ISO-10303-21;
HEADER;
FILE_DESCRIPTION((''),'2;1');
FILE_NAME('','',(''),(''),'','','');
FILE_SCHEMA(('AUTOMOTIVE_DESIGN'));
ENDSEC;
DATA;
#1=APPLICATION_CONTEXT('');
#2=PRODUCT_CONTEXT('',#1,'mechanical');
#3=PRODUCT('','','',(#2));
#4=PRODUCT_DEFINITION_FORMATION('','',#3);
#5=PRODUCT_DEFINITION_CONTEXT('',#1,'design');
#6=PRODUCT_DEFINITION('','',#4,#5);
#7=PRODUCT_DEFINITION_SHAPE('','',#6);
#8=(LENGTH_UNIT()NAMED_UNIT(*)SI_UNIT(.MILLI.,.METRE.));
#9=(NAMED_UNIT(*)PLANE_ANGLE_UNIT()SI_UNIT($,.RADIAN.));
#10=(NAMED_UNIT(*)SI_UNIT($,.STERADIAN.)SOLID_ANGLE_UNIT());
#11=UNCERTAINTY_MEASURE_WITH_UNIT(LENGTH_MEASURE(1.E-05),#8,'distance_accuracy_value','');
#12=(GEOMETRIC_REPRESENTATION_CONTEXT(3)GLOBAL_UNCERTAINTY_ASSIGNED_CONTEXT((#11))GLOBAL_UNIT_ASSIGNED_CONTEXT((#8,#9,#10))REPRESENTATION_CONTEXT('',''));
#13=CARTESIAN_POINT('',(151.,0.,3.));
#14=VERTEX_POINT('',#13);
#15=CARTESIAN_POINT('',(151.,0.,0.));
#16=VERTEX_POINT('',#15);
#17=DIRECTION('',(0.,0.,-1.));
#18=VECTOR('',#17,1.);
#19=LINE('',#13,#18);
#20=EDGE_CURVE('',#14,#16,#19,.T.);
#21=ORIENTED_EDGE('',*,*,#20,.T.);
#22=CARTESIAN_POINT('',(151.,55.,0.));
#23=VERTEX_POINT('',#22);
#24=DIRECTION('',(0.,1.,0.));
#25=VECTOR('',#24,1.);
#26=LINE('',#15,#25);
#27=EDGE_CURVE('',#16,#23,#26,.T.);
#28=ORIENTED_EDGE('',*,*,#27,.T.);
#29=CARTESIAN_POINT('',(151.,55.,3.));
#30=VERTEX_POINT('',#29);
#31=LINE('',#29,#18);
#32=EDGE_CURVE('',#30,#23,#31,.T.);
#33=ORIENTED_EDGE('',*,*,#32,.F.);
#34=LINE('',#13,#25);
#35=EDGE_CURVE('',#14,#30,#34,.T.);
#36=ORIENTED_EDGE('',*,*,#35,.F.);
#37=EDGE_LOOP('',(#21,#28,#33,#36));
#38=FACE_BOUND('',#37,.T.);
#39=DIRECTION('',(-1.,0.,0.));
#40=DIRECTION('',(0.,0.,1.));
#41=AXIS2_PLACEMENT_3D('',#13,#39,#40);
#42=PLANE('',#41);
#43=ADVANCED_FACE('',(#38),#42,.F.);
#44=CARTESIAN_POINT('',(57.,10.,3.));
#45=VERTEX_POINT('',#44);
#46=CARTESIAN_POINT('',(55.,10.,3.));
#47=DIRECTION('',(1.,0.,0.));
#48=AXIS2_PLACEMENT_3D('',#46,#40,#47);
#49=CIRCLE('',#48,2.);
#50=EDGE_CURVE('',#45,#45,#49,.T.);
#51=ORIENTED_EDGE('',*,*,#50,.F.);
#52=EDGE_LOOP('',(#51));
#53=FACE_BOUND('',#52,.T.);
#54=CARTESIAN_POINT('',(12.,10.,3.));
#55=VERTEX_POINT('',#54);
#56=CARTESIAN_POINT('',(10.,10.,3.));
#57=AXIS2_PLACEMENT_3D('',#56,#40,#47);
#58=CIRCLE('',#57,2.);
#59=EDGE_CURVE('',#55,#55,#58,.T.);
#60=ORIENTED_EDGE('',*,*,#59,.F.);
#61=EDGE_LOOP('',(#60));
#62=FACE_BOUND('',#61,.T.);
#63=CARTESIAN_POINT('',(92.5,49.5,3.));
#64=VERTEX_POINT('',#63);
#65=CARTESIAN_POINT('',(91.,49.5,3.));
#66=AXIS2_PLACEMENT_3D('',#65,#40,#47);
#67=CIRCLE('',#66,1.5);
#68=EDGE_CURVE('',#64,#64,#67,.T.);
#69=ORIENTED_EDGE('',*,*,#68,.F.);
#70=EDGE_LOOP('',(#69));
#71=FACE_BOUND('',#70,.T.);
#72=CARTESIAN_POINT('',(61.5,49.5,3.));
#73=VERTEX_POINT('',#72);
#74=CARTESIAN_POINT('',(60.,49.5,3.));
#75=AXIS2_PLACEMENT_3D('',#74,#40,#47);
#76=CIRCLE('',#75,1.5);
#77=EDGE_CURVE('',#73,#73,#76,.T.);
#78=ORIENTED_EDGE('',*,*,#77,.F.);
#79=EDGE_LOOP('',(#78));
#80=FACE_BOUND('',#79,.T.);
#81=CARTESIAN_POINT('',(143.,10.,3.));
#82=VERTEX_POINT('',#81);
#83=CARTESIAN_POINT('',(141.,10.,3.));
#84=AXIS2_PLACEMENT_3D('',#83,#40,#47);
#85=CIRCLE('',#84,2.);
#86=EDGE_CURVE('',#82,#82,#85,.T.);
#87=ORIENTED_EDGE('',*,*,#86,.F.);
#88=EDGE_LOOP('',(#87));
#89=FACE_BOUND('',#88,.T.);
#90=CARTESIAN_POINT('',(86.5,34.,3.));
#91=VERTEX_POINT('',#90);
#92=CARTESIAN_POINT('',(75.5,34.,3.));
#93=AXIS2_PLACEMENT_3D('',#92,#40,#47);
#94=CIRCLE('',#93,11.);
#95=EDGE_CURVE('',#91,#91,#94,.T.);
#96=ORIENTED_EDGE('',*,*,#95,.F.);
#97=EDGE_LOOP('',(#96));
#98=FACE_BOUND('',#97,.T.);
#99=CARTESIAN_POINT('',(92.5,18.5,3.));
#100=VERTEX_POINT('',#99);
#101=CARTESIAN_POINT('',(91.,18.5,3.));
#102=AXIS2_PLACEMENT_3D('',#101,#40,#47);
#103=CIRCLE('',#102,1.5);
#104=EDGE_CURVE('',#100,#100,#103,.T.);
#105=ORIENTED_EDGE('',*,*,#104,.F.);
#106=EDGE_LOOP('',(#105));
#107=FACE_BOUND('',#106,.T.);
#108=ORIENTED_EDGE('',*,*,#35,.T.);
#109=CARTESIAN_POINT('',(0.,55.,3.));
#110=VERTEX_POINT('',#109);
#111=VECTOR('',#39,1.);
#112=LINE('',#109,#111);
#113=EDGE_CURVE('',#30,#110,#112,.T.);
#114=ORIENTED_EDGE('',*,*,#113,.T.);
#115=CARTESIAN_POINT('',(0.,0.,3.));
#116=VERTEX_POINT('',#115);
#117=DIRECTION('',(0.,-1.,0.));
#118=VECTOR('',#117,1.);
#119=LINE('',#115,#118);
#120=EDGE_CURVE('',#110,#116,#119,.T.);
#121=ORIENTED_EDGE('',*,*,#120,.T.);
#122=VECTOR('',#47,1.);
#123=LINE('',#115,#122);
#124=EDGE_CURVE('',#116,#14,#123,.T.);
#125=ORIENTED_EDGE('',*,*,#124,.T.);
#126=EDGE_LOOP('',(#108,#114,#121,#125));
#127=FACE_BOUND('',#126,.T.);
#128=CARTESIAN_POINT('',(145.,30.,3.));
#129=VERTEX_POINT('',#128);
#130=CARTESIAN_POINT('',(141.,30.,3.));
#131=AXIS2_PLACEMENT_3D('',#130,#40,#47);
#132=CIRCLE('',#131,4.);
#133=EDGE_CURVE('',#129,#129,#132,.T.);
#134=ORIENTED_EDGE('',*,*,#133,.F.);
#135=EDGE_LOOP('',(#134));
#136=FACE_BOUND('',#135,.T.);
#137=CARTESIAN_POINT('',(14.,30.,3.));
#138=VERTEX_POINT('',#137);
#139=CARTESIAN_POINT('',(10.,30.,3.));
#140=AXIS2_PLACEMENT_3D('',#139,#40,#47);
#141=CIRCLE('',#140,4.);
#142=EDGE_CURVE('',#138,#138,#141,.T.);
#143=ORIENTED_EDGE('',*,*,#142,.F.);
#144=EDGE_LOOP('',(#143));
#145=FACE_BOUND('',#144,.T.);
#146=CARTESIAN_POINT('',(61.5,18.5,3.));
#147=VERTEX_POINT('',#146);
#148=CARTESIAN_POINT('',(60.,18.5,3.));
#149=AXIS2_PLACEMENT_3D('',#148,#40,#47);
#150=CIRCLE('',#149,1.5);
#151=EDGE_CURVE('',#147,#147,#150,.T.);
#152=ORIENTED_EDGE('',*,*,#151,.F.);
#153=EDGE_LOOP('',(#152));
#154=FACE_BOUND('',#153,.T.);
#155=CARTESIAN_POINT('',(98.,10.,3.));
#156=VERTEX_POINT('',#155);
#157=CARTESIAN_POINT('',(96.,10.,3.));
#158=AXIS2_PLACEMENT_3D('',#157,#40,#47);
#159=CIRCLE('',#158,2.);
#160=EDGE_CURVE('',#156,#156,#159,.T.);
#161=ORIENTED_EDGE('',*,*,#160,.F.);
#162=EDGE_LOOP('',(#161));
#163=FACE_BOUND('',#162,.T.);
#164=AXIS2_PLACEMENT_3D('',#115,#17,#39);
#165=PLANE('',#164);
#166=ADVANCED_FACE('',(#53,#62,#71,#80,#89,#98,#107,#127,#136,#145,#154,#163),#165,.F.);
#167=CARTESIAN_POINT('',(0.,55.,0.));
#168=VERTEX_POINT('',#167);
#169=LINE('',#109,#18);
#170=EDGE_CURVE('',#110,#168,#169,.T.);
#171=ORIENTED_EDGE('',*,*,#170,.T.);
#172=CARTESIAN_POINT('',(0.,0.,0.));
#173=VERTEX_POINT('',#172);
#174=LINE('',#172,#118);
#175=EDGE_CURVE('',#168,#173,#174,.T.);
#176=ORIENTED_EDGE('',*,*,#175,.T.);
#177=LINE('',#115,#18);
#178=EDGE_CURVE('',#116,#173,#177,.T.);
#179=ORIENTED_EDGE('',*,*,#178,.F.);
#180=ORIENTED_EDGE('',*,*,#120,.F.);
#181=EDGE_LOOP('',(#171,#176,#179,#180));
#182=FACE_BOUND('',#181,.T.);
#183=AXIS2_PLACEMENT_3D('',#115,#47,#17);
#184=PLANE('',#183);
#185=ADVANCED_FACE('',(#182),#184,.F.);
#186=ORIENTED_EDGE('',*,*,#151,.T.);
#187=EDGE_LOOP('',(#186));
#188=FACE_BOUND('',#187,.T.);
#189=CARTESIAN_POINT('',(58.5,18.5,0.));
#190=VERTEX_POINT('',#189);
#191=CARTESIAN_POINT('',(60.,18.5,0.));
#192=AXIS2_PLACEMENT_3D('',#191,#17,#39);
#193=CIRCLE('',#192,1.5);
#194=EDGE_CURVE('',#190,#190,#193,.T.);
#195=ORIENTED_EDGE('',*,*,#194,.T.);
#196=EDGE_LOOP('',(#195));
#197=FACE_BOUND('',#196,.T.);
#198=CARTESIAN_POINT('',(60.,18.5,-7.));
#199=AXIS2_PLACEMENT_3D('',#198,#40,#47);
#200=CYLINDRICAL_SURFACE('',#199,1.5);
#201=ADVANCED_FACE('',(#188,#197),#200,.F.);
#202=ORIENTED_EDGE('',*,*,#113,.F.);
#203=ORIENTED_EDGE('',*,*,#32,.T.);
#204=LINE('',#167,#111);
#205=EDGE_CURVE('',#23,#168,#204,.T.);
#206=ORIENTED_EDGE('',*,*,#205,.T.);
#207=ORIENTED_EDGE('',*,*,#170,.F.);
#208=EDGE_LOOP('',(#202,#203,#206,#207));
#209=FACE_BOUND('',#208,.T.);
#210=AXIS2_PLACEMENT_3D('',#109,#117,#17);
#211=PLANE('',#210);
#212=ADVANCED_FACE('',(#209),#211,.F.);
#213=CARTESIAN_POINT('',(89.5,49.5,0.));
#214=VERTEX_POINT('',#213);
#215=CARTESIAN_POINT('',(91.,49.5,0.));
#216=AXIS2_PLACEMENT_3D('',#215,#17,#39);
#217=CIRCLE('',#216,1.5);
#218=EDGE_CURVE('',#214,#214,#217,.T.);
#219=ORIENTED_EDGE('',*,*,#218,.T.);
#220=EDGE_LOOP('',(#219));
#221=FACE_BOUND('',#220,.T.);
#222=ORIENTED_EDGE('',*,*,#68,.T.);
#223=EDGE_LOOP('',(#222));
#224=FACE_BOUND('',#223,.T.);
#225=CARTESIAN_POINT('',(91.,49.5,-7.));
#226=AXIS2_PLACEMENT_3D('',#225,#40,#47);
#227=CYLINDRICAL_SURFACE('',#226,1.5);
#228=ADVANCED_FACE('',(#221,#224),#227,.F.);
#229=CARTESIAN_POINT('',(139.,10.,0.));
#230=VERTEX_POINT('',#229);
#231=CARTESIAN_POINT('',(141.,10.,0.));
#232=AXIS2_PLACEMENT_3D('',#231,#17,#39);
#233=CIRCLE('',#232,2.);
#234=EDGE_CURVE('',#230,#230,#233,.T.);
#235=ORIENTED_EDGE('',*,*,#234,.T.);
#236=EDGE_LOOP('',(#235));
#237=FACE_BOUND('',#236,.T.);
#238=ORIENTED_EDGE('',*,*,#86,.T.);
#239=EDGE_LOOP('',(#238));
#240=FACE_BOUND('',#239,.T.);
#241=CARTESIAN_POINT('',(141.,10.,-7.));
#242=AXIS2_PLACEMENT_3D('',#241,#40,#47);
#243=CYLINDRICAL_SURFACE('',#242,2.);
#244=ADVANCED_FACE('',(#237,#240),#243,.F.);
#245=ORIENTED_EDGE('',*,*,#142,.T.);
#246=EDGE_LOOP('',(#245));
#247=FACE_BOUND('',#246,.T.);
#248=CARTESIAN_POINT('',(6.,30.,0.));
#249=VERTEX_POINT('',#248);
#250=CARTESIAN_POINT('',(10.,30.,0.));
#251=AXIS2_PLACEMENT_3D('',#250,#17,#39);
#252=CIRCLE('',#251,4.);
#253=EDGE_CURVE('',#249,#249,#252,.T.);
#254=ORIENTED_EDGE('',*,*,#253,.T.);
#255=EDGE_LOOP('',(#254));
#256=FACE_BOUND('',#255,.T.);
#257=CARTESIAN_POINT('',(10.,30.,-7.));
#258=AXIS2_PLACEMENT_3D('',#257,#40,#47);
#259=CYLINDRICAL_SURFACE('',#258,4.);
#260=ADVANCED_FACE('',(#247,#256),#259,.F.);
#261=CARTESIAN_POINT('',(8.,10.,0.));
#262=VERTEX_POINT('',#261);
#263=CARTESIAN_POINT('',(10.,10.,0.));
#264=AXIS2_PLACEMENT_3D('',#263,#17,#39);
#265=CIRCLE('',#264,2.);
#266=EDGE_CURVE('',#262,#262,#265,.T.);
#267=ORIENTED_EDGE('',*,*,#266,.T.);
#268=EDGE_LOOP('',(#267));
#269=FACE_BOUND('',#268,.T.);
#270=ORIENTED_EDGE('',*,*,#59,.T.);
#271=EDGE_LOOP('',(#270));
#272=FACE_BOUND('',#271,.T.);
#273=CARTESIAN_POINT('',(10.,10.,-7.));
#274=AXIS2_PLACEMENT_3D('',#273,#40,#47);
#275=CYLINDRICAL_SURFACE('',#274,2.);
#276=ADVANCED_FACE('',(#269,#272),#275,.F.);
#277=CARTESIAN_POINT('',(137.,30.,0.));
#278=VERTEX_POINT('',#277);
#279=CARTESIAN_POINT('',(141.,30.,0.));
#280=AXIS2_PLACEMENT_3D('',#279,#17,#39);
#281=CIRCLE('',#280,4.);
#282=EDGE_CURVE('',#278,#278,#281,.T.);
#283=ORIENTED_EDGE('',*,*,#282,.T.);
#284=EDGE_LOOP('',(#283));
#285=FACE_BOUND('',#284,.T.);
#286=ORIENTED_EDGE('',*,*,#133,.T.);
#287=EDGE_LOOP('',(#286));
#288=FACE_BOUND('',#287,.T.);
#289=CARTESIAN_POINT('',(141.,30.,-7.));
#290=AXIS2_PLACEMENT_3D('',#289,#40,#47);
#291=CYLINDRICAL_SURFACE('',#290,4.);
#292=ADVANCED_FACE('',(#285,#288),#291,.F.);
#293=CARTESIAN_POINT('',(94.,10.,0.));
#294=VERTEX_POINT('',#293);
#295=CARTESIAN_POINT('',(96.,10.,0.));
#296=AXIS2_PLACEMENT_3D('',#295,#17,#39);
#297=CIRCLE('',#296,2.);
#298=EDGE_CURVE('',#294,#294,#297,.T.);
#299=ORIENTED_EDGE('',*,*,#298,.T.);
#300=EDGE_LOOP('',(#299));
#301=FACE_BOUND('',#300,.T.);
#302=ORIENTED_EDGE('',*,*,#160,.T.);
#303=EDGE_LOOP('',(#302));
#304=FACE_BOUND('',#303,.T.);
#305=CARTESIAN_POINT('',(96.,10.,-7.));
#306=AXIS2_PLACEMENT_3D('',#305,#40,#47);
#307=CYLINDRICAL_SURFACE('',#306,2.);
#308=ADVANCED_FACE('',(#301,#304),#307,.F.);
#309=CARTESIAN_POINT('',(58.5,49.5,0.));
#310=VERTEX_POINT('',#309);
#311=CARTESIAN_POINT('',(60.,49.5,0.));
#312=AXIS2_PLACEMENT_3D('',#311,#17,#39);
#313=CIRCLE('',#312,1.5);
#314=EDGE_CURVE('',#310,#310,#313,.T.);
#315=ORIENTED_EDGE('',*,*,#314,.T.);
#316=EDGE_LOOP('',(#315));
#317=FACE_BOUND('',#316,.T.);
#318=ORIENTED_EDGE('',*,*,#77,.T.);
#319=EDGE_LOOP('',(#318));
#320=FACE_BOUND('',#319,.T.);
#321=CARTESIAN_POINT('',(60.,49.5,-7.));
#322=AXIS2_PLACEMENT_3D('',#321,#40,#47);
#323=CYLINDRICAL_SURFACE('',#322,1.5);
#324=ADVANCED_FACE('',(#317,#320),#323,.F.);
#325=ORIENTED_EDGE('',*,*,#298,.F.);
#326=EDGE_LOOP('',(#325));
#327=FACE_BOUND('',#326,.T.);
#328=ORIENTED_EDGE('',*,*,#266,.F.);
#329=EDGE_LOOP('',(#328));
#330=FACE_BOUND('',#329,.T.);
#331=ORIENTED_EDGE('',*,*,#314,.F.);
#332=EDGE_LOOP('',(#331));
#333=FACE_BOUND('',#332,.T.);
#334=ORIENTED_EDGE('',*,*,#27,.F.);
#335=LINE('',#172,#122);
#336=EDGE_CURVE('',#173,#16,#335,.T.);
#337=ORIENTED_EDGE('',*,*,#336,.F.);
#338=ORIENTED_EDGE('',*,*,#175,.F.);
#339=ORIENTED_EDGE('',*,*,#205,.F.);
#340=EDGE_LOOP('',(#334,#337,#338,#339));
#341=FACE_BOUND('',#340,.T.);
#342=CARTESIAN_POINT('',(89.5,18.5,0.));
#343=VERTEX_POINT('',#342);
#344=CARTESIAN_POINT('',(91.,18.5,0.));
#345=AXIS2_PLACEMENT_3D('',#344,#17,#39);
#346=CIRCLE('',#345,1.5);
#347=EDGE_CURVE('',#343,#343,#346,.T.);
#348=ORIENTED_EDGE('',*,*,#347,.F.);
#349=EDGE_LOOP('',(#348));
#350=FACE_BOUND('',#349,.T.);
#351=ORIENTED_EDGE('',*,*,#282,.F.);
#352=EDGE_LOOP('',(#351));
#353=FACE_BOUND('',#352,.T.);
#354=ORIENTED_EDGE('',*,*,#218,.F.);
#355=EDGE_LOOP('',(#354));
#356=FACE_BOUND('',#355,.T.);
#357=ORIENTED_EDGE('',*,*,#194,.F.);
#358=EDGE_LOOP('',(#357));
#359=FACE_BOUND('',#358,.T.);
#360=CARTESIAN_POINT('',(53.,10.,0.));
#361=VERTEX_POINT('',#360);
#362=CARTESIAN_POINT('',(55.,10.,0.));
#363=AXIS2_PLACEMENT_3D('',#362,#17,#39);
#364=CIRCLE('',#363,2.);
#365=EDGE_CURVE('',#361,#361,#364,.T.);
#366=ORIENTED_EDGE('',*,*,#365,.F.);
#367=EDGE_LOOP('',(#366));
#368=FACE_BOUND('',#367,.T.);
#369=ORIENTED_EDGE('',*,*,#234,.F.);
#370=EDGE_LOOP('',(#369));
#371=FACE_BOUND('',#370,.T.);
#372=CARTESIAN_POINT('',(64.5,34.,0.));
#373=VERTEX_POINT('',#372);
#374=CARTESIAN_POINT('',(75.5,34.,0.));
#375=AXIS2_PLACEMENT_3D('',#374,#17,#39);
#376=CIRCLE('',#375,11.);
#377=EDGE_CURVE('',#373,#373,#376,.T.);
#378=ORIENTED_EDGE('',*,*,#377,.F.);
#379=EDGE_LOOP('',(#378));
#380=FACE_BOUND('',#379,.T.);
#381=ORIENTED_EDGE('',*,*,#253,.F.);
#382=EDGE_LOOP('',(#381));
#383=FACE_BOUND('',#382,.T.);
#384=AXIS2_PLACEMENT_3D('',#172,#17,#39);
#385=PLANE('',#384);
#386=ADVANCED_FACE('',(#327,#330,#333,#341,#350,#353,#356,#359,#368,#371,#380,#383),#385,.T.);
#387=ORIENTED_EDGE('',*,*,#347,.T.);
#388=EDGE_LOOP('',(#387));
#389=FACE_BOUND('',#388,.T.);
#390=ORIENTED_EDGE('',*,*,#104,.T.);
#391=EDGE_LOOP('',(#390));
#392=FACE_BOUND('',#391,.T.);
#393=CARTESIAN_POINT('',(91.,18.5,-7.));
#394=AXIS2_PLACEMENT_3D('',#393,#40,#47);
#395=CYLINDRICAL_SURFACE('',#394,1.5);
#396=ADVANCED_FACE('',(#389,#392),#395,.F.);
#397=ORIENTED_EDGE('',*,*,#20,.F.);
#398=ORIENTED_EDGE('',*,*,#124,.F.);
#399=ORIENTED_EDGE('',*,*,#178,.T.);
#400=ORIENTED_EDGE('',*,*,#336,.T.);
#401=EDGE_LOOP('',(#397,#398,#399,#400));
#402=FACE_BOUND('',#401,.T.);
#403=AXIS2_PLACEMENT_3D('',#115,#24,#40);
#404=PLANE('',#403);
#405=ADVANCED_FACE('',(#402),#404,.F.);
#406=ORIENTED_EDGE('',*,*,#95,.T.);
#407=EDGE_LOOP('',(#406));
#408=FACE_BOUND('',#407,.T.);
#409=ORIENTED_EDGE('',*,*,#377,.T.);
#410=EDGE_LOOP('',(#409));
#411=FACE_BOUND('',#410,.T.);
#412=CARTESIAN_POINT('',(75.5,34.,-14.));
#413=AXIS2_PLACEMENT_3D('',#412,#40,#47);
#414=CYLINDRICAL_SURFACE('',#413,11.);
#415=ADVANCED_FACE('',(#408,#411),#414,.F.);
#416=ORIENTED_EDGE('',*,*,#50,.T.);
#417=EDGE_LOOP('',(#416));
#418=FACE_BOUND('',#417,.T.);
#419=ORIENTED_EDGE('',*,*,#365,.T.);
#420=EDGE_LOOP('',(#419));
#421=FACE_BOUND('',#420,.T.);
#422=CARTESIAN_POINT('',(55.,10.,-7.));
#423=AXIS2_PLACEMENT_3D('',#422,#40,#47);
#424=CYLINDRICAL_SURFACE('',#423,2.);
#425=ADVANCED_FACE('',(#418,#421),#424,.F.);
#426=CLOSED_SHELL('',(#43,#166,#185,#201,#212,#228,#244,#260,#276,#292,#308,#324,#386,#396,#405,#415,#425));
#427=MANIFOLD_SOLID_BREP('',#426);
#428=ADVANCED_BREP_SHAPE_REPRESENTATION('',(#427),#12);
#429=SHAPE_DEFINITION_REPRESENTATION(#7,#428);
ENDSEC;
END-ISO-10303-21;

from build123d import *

# Parameters (mm, degrees)
SKIZZE1_W                       = 151
SKIZZE1_H                       = 55
AUFSATZ_LINEAR_AUSTRAGEN1_DEPTH = 3
SKIZZE2_R                       = 11
SCHNITT_LINEAR_AUSTRAGEN1_DEPTH = 17
SKIZZE3_R                       = 1.5
SCHNITT_LINEAR_AUSTRAGEN2_DEPTH = 10
SKIZZE4_R                       = 4
SCHNITT_LINEAR_AUSTRAGEN3_DEPTH = 10
SKIZZE5_R                       = 2
SCHNITT_LINEAR_AUSTRAGEN4_DEPTH = 10


with BuildPart() as part:
    # Skizze1 → Aufsatz-Linear austragen1 (new body)
    with BuildSketch(Plane.XY):
        with Locations((75.5, 27.5)):
            Rectangle(SKIZZE1_W, SKIZZE1_H)
    extrude(amount=AUFSATZ_LINEAR_AUSTRAGEN1_DEPTH)

    # Skizze2 → Schnitt-Linear austragen1 (cut)
    with BuildSketch(Plane.XY.offset(3)):
        with Locations((75.5, 34)):
            Circle(SKIZZE2_R)
    extrude(amount=-SCHNITT_LINEAR_AUSTRAGEN1_DEPTH, mode=Mode.SUBTRACT)

    # Skizze3 → Schnitt-Linear austragen2 (cut)
    with BuildSketch(Plane.XY.offset(3)):
        with Locations((91, 49.5)):
            Circle(SKIZZE3_R)
        with Locations((91, 18.5)):
            Circle(SKIZZE3_R)
        with Locations((60, 18.5)):
            Circle(SKIZZE3_R)
        with Locations((60, 49.5)):
            Circle(SKIZZE3_R)
    extrude(amount=-SCHNITT_LINEAR_AUSTRAGEN2_DEPTH, mode=Mode.SUBTRACT)

    # Skizze4 → Schnitt-Linear austragen3 (cut)
    with BuildSketch(Plane.XY.offset(3)):
        with Locations((141, 30)):
            Circle(SKIZZE4_R)
        with Locations((10, 30)):
            Circle(SKIZZE4_R)
    extrude(amount=-SCHNITT_LINEAR_AUSTRAGEN3_DEPTH, mode=Mode.SUBTRACT)

    # Skizze5 → Schnitt-Linear austragen4 (cut)
    with BuildSketch(Plane.XY.offset(3)):
        with Locations((10, 10)):
            Circle(SKIZZE5_R)
        with Locations((55, 10)):
            Circle(SKIZZE5_R)
        with Locations((96, 10)):
            Circle(SKIZZE5_R)
        with Locations((141, 10)):
            Circle(SKIZZE5_R)
    extrude(amount=-SCHNITT_LINEAR_AUSTRAGEN4_DEPTH, mode=Mode.SUBTRACT)


solid = part.part
